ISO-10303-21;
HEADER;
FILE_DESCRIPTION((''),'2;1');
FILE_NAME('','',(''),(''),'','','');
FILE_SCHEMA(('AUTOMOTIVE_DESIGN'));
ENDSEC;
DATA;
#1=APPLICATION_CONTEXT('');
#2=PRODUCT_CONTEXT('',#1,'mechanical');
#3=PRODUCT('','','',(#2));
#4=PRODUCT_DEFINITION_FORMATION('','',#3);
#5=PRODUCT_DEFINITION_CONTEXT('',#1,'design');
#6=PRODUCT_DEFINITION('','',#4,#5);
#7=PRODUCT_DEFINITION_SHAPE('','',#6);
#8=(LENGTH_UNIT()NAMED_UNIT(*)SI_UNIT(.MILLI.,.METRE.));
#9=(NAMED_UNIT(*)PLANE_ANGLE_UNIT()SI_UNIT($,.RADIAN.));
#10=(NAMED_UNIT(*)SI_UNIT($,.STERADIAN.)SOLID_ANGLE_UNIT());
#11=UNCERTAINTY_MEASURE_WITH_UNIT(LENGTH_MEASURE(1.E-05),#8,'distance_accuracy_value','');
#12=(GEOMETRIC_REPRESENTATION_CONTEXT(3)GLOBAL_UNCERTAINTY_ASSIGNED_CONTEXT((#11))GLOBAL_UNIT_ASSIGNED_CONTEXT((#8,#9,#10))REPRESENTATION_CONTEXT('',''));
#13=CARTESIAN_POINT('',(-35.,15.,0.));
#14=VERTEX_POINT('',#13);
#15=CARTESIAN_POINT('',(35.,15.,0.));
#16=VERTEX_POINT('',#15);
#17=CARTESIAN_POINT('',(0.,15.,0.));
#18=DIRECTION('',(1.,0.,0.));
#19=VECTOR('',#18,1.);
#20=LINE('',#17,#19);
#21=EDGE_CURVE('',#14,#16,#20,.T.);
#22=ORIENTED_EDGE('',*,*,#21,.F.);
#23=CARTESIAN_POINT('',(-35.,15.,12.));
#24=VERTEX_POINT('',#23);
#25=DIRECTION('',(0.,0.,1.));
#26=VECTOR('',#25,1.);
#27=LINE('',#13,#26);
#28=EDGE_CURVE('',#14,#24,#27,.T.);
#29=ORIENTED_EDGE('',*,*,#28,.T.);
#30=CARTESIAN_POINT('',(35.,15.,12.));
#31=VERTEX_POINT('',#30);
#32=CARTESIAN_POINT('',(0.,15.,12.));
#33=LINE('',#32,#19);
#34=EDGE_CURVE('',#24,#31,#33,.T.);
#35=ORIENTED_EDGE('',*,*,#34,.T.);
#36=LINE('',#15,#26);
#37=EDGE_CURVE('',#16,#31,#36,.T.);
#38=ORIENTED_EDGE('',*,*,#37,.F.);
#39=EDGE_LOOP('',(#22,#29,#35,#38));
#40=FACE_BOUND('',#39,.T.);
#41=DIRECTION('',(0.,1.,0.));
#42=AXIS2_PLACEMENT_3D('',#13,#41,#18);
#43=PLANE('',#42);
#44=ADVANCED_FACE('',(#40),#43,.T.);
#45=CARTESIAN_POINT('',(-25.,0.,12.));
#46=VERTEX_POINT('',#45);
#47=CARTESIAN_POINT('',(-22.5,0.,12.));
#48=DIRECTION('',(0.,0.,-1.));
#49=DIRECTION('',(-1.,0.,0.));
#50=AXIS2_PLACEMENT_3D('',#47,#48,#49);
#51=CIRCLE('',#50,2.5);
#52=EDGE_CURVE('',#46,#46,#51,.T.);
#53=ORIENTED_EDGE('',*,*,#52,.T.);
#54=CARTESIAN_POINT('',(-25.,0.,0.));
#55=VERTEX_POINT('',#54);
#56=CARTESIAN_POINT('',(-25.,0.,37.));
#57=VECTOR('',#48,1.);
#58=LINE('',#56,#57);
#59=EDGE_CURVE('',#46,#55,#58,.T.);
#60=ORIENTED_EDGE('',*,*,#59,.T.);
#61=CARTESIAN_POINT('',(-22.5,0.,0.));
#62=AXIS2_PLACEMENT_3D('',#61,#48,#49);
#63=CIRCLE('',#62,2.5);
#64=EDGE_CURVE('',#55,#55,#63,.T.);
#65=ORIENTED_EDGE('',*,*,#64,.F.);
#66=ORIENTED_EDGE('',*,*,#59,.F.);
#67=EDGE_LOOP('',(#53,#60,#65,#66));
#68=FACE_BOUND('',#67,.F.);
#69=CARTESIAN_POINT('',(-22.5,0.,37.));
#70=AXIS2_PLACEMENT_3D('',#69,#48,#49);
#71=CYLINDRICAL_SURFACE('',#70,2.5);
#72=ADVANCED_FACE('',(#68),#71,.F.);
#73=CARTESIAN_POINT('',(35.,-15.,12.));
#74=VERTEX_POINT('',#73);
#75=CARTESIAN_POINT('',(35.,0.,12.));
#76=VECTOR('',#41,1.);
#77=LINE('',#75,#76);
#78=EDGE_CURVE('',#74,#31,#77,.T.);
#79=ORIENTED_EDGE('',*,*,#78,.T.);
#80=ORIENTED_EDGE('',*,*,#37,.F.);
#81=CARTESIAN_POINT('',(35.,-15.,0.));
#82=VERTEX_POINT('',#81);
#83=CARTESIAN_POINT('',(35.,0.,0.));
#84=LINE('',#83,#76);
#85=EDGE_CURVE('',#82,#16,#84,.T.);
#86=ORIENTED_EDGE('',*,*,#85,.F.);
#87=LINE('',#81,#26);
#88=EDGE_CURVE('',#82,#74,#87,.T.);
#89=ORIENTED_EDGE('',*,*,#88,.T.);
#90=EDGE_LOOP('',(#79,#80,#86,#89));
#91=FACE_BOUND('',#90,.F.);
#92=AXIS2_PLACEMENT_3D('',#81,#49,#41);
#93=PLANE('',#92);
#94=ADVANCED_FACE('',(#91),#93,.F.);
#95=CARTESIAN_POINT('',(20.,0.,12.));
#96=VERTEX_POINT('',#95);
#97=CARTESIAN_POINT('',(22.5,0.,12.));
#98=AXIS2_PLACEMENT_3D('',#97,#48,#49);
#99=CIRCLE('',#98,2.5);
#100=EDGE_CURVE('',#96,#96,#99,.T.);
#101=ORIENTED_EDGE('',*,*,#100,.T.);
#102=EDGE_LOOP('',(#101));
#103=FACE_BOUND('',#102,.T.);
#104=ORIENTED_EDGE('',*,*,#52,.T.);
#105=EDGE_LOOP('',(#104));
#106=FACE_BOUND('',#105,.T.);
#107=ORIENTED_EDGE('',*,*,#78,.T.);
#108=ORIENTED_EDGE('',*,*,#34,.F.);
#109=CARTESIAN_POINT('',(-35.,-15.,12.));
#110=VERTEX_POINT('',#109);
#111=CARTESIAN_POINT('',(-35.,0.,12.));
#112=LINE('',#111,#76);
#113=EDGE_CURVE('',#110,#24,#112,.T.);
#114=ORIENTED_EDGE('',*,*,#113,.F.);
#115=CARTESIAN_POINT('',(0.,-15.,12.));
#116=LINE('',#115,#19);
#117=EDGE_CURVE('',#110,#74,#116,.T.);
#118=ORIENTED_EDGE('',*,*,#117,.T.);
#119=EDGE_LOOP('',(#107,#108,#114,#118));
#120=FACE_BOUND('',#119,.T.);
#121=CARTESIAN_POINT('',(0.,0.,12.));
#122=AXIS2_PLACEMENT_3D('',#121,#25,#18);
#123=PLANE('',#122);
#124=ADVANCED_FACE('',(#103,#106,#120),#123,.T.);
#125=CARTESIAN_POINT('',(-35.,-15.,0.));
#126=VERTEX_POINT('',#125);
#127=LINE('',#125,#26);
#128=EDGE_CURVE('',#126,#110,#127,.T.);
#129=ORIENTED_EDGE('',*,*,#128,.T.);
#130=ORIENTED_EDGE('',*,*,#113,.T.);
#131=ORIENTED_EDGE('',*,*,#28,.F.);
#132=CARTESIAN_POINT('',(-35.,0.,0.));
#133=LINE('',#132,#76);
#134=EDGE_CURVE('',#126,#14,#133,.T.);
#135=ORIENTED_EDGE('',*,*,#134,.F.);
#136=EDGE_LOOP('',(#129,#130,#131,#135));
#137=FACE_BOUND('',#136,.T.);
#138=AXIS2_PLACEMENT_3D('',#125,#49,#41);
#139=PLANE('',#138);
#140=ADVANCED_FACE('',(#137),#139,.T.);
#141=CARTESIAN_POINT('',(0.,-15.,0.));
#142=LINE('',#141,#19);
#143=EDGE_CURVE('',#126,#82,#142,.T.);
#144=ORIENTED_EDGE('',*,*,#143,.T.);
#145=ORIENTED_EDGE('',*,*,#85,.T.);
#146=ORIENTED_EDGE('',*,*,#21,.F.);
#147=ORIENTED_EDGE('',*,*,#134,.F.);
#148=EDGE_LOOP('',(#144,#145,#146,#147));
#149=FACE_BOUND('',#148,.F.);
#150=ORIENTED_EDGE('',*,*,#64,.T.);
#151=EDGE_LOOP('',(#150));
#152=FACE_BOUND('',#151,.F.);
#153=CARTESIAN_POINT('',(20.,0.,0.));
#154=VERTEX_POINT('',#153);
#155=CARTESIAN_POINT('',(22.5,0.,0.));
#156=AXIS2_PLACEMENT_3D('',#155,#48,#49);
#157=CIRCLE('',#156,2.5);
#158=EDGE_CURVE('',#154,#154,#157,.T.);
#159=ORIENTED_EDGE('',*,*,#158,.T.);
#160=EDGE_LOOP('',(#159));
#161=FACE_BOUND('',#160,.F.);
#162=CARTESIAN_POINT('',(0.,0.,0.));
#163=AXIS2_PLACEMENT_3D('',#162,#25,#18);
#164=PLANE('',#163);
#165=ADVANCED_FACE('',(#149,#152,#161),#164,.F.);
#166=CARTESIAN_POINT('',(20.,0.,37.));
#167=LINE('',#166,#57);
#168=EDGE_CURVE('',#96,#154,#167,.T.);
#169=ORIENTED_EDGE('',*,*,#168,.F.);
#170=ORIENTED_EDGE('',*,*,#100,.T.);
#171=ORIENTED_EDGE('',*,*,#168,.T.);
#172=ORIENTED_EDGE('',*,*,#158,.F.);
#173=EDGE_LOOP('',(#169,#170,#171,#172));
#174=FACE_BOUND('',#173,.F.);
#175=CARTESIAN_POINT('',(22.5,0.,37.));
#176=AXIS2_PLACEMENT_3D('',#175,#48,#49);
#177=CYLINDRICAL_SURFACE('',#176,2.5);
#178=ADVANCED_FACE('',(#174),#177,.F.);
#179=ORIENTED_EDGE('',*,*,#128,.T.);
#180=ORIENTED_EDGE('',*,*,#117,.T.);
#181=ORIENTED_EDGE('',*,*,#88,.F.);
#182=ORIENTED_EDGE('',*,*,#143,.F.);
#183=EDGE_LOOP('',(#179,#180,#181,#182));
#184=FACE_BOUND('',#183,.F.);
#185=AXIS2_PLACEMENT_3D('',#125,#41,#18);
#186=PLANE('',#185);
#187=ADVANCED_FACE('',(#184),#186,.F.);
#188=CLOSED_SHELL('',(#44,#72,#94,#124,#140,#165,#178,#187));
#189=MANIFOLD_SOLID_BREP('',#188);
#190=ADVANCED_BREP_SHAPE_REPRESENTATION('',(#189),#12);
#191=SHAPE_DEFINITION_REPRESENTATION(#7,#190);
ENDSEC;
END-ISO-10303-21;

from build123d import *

# Parameters (mm, degrees)
F0_W     = 70
F0_H     = 30
F1_DEPTH = 12
F3_D     = 5
F3_DEPTH = 25


with BuildPart() as f1:
    # F0 (on Top) → F1 (new body)
    with BuildSketch(Plane.XY):
        Rectangle(F0_W, F0_H)
    extrude(amount=F1_DEPTH)

    # F3
    with Locations(Plane.XY.offset(12)):
        with Locations((-22.5, 0), (22.5, 0)):
            Hole(F3_D / 2, depth=F3_DEPTH)


solid = f1.part
